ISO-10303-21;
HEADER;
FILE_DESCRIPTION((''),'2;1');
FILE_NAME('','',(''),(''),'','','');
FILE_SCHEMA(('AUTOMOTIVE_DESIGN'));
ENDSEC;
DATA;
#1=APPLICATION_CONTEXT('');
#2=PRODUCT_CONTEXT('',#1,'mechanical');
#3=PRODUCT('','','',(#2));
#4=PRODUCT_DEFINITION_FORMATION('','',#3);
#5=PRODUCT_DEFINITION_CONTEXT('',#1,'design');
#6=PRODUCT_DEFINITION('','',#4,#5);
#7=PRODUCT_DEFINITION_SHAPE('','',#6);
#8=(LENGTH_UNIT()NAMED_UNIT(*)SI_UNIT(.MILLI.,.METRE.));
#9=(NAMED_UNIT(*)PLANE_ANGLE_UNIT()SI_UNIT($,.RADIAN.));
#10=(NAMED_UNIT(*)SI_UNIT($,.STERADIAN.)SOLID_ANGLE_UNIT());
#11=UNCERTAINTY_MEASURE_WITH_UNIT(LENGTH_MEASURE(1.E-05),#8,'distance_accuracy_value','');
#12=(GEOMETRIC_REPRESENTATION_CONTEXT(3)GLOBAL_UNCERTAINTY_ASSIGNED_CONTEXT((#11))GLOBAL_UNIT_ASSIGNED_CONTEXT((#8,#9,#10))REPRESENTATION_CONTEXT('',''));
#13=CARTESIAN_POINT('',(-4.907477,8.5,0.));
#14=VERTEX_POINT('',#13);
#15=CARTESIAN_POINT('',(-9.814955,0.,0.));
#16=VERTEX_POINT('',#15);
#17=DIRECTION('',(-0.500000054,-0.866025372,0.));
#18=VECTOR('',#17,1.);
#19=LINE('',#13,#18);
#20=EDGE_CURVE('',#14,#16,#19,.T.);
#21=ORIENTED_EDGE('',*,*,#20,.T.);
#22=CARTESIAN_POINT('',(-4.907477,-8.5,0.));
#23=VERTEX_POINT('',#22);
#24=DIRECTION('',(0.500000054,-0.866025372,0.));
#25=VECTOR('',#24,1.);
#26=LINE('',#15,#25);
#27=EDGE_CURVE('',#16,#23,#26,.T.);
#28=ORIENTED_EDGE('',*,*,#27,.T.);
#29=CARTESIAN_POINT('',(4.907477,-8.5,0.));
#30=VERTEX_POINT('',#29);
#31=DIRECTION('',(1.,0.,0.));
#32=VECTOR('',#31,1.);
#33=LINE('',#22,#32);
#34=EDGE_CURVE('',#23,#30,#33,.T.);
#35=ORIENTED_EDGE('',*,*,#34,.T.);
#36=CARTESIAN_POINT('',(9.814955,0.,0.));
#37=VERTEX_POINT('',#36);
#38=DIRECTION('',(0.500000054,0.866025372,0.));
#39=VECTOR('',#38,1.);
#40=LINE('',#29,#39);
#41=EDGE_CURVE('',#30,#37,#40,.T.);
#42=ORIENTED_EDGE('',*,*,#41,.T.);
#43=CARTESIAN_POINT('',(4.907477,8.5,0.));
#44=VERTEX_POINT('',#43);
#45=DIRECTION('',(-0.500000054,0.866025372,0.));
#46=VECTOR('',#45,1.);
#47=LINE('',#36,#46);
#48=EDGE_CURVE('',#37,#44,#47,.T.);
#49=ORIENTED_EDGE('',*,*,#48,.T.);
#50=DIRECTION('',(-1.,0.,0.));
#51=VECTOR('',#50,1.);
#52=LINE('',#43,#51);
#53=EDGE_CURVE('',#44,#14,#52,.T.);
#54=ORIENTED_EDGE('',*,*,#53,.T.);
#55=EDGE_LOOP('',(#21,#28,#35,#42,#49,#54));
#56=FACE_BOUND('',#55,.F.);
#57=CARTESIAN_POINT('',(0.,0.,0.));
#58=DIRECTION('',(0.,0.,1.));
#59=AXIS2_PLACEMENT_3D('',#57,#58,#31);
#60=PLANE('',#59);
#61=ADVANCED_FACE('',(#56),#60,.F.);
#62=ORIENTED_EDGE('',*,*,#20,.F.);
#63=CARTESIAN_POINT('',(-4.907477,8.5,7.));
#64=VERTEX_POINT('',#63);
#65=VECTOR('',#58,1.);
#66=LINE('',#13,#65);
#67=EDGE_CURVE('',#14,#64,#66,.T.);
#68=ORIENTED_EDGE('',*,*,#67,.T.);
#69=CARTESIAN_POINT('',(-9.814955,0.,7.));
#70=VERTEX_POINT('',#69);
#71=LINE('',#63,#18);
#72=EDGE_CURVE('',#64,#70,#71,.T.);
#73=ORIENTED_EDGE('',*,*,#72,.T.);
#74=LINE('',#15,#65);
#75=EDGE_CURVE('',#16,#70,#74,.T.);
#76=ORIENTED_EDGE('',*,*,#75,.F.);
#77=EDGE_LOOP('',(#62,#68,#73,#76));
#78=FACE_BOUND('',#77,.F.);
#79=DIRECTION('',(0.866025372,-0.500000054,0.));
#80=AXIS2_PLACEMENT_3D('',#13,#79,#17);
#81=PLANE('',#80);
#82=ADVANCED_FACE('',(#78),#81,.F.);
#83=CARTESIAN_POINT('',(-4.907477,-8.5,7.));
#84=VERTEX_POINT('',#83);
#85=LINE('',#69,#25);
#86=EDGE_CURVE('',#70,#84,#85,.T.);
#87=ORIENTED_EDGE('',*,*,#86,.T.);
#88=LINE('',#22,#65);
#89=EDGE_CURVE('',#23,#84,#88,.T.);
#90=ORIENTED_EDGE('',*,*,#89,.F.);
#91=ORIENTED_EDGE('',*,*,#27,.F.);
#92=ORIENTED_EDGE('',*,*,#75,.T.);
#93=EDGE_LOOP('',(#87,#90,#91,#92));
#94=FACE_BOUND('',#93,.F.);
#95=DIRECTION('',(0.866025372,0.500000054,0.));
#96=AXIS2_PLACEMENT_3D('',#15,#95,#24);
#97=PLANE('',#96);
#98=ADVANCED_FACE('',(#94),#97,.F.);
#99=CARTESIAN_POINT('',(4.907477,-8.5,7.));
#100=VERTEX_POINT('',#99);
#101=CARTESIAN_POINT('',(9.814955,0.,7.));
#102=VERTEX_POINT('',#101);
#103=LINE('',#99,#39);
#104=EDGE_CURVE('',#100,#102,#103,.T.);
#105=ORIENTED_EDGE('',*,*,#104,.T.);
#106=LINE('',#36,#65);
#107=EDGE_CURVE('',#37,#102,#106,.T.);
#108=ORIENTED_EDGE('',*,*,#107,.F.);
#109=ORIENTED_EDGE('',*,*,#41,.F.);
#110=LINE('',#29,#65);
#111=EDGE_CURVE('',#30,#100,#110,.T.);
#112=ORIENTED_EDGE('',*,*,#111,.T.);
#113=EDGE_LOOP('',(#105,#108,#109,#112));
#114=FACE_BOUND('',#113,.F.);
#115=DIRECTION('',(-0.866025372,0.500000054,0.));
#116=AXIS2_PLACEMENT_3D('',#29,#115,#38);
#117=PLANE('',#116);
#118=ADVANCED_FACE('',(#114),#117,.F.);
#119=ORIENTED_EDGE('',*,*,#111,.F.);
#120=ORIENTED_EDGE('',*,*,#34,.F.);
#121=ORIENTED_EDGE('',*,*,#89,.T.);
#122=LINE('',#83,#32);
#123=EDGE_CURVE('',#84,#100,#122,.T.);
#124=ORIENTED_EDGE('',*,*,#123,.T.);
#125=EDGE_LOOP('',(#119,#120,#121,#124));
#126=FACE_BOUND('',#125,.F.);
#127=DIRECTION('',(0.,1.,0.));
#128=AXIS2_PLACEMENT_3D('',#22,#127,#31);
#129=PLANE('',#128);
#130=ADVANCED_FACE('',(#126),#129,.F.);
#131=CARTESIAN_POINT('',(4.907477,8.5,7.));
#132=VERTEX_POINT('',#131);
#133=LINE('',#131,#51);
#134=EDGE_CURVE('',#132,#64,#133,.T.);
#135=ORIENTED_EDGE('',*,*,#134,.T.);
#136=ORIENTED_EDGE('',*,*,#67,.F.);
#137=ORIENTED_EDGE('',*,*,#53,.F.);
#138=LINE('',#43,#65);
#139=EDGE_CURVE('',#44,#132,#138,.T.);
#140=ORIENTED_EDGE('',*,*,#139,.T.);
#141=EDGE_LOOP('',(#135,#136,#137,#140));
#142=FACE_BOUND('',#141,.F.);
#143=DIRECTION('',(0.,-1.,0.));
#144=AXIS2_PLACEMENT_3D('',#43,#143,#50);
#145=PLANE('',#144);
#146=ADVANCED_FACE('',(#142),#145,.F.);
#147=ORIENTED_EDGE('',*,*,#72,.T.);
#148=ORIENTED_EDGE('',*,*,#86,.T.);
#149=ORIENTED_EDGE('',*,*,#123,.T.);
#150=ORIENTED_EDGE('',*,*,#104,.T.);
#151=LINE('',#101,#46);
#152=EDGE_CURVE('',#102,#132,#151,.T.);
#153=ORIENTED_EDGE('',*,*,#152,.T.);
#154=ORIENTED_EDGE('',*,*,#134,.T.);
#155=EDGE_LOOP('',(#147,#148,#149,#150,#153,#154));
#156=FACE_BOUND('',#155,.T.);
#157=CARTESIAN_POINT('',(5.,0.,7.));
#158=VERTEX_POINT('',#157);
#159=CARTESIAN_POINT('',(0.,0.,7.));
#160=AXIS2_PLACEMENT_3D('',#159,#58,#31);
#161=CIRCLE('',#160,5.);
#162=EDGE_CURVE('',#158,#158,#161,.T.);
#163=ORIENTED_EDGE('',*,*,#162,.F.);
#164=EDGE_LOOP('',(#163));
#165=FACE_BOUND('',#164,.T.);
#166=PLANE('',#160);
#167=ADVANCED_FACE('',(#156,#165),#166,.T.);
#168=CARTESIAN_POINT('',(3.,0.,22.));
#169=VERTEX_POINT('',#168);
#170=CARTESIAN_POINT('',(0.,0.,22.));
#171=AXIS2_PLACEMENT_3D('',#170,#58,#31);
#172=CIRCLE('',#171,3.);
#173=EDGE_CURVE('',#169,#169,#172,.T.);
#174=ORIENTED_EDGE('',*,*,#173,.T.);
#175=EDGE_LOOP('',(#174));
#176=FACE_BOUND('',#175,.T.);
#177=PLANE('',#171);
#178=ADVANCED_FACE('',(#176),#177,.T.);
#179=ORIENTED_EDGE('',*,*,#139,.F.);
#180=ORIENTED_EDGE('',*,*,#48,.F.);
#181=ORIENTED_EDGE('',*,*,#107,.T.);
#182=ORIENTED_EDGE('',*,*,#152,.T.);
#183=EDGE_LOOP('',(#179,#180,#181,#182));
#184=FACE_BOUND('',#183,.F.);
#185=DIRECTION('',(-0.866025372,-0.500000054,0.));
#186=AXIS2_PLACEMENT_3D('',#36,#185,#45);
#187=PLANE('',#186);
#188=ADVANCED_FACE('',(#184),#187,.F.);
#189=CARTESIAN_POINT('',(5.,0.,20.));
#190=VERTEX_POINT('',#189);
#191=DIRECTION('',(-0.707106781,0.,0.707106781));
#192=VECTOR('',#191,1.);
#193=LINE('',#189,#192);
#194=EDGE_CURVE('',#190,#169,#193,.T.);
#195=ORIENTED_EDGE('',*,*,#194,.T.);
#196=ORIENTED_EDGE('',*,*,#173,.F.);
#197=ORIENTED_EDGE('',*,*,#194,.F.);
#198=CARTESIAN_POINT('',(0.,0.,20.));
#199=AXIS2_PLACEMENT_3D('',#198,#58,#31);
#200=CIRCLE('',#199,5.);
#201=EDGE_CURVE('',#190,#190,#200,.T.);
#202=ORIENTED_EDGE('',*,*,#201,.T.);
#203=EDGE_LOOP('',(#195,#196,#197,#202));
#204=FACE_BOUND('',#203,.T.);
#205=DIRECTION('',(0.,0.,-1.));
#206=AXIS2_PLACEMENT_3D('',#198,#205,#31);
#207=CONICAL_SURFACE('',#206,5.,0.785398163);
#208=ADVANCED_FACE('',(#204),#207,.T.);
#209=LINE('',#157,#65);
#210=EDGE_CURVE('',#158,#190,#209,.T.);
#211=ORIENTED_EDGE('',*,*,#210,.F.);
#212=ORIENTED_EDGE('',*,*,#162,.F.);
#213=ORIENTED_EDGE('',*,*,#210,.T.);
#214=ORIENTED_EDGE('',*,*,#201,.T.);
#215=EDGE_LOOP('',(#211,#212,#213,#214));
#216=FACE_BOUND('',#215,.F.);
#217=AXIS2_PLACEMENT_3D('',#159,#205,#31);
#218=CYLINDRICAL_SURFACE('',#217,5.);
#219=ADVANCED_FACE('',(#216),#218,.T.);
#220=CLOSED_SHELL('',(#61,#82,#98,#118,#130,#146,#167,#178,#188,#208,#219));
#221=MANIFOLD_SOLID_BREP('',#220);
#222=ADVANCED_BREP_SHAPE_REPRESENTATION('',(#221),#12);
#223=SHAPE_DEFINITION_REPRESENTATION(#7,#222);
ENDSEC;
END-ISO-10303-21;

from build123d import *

# Parameters (mm, degrees)
F1_DEPTH = 7
F2_R     = 5
F3_DEPTH = 15
F4_SIZE  = 2


with BuildPart() as f1:
    # F0 (on Top) → F1 (new body)
    with BuildSketch(Plane.XY):
        Polygon((-4.907477, -8.5), (4.907477, -8.5), (9.814955, 0), (4.907477, 8.5), (-4.907477, 8.5), (-9.814955, 0), align=None)
    extrude(amount=F1_DEPTH)

    # F2 (on face) → F3 (join)
    with BuildSketch(Plane.XY.offset(7)):
        Circle(F2_R)
    extrude(amount=F3_DEPTH)

    # F4
    f4_edges = [f1.edges().sort_by_distance(p)[0] for p in [
        (-5, 0, 22),
    ]]
    chamfer(f4_edges, length=F4_SIZE)


solid = f1.part
